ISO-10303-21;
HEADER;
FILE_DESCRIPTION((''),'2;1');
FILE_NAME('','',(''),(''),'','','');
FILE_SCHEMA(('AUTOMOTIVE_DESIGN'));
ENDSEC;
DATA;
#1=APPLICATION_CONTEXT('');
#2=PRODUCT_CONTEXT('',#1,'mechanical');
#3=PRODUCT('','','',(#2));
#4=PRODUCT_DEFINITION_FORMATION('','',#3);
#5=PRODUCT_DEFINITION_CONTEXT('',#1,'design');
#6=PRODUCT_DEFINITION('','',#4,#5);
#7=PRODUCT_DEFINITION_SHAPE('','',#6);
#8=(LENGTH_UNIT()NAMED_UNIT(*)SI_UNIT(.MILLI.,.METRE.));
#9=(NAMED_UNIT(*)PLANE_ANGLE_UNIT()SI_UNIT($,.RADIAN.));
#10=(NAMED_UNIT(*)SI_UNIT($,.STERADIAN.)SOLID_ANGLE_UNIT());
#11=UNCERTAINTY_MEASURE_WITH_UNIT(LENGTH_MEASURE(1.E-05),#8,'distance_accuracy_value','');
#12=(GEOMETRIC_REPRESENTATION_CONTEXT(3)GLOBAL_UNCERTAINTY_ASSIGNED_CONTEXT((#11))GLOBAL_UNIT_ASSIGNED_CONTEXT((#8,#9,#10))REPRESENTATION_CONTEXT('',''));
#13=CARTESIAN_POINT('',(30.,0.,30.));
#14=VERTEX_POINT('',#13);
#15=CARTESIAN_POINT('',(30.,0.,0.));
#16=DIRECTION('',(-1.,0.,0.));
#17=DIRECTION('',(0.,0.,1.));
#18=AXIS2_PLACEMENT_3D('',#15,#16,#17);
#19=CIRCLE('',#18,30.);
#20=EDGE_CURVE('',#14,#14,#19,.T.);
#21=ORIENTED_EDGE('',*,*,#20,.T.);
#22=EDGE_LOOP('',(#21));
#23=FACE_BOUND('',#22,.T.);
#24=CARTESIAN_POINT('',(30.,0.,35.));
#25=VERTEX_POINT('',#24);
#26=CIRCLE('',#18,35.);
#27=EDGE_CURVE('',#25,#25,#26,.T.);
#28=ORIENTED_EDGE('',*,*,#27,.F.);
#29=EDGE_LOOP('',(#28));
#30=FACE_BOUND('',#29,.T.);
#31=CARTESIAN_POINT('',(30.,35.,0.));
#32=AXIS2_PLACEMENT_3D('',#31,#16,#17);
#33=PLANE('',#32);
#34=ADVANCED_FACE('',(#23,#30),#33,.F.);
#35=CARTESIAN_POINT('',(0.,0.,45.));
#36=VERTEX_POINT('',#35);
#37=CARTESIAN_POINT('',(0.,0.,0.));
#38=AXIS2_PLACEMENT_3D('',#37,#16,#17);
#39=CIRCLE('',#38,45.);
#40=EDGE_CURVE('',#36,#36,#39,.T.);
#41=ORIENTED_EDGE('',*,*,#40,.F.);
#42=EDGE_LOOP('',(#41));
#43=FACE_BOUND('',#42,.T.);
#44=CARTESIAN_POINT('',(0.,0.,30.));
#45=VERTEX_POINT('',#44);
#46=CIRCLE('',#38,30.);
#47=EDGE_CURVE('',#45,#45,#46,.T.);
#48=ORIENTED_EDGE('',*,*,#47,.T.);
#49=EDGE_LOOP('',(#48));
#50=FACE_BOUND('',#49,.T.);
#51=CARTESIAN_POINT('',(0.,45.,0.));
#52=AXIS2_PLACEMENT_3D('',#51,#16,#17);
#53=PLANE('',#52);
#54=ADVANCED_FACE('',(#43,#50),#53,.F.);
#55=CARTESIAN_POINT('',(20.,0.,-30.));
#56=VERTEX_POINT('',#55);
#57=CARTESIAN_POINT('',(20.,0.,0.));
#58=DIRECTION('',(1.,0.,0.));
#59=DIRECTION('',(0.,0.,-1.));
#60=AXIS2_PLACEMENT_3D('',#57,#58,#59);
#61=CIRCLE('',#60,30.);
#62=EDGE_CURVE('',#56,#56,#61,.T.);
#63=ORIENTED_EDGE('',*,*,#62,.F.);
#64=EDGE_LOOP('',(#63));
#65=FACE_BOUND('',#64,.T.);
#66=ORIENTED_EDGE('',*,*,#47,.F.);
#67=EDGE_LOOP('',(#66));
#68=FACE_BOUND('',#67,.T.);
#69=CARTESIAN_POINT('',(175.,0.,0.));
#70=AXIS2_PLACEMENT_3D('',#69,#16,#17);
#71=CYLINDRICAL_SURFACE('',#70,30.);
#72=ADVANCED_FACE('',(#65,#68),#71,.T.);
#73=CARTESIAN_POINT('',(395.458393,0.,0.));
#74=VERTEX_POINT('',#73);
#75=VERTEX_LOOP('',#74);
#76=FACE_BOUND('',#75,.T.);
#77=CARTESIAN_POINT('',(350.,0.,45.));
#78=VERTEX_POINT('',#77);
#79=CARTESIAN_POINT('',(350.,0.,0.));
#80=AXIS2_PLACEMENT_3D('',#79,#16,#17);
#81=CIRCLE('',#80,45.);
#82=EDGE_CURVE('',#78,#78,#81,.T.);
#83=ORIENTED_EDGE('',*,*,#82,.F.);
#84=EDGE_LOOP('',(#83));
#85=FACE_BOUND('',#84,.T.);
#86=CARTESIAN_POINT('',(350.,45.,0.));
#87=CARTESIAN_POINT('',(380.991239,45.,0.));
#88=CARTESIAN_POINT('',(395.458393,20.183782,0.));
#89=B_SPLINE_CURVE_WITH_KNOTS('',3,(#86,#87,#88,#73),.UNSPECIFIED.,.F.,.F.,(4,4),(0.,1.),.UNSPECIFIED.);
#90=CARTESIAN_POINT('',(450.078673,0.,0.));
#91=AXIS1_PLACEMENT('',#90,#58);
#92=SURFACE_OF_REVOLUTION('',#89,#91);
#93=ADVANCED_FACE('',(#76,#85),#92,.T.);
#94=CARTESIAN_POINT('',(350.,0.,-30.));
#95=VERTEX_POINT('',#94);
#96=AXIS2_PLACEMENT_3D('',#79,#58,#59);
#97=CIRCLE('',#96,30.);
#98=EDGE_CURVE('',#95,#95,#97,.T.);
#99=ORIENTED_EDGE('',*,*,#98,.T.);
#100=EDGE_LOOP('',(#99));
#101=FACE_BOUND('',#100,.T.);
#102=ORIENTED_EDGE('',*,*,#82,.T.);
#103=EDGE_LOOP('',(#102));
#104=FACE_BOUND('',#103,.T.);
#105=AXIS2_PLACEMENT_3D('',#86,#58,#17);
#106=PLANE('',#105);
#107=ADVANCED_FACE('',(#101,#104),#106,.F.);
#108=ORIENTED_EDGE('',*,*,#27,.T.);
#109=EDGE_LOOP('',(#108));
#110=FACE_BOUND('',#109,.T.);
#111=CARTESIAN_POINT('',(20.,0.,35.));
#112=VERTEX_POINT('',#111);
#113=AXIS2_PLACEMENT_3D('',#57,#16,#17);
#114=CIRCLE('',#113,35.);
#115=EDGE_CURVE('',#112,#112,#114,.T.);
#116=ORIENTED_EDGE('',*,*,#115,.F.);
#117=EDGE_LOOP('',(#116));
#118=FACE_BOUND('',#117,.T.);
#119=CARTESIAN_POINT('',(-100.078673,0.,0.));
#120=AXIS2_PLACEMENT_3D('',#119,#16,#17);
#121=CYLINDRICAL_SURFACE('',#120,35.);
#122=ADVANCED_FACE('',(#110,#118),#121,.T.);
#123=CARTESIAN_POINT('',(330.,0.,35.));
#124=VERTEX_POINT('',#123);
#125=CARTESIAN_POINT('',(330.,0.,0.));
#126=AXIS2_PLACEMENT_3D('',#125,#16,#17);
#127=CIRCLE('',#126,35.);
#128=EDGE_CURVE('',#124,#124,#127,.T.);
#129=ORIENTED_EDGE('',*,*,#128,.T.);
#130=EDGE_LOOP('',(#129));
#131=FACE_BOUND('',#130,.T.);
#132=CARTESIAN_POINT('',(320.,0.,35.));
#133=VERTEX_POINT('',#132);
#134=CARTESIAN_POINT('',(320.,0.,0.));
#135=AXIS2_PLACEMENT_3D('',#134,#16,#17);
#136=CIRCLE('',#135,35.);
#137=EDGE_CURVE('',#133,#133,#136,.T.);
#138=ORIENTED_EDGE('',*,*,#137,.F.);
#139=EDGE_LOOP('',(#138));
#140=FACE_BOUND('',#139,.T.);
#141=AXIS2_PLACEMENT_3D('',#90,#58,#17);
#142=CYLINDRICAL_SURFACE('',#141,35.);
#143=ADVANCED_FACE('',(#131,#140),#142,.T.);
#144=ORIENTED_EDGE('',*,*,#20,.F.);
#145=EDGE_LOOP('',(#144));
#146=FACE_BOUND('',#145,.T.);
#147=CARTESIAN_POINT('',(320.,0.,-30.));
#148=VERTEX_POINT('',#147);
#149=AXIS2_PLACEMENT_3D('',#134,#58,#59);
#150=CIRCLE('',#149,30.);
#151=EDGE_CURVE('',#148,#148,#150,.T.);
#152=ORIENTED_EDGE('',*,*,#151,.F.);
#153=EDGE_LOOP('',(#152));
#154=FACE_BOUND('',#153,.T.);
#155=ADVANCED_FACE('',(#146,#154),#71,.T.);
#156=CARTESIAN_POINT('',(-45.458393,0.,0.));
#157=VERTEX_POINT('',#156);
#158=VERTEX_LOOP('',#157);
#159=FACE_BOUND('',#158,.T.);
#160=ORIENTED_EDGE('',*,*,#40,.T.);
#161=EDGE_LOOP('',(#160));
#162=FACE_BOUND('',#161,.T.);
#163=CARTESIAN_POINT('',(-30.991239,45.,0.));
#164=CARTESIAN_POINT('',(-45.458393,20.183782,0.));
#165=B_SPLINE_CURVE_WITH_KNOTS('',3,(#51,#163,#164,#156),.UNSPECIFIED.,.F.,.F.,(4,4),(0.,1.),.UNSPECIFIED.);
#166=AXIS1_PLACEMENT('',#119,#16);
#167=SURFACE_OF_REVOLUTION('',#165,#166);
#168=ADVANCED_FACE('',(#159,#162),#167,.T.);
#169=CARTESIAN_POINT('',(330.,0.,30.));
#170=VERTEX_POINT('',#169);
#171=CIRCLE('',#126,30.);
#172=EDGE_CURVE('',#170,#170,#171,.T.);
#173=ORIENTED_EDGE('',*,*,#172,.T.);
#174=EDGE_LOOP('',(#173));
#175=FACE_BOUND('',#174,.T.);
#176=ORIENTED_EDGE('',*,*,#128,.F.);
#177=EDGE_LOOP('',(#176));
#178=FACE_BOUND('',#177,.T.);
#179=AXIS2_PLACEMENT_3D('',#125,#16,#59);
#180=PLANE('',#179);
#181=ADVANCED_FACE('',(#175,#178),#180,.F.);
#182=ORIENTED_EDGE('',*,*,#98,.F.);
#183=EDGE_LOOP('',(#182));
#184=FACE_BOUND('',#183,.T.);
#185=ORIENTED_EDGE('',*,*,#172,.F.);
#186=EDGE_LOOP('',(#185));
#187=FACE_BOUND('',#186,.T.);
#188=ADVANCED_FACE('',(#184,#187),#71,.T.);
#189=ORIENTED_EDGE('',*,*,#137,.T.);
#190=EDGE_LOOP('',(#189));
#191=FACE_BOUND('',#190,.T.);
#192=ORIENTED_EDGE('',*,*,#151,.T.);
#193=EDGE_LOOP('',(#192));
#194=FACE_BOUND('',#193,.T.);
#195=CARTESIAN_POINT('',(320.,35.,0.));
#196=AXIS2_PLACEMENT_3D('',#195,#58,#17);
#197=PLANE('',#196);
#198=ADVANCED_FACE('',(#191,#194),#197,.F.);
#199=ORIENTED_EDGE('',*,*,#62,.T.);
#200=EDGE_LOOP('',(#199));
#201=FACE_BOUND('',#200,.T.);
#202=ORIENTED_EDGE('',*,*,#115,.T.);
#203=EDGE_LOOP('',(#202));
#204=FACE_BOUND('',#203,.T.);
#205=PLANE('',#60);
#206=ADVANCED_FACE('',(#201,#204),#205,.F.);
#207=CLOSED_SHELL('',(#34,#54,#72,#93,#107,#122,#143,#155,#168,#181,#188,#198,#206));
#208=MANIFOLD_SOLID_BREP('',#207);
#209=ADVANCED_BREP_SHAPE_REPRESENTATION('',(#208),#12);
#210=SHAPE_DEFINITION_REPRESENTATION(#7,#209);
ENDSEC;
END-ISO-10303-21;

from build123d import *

# Parameters (mm, degrees)
SKETCH1_R           = 30
BOSS_EXTRUDE1_DEPTH = 175
SKETCH3_W           = 10
SKETCH3_H           = 35


with BuildPart() as part:
    # Sketch1 → Boss-Extrude1 (new body)
    with BuildSketch(Plane(origin=(0, 0, 0), x_dir=(0, 0, -1), z_dir=(1, 0, 0))):
        Circle(SKETCH1_R)
    boss_extrude1 = extrude(amount=BOSS_EXTRUDE1_DEPTH)

    # Sketch3 → Revolve1 (revolve)
    with BuildSketch(Plane.XY, mode=Mode.PRIVATE) as revolve1_sk:
        with Locations((25, 17.5)):
            Rectangle(SKETCH3_W, SKETCH3_H)
        with BuildLine():
            Line((0, 0), (-45.458392513, 0))
            add(Edge.make_bspline(
                [(-45.458392513, 0), (-45.458392513, 20.183781855), (-30.991238831, 45), (0, 45)],
                knots=[0, 0, 0, 0, 1, 1, 1, 1], degree=3))
            Line((0, 45), (0, 0))
        make_face()
    revolve1 = revolve(revolve1_sk.sketch.rotate(Axis((-100.078673334, 0, 0), (1, 0, 0)), 90), axis=Axis((-100.078673334, 0, 0), (1, 0, 0)))

    # Mirror1: Boss-Extrude1, Revolve1 across plane
    add(boss_extrude1.mirror(Plane(origin=(175, 0, 0), x_dir=(0, 0, 1), z_dir=(1, 0, 0))))
    add(revolve1.mirror(Plane(origin=(175, 0, 0), x_dir=(0, 0, 1), z_dir=(1, 0, 0))))


solid = part.part
